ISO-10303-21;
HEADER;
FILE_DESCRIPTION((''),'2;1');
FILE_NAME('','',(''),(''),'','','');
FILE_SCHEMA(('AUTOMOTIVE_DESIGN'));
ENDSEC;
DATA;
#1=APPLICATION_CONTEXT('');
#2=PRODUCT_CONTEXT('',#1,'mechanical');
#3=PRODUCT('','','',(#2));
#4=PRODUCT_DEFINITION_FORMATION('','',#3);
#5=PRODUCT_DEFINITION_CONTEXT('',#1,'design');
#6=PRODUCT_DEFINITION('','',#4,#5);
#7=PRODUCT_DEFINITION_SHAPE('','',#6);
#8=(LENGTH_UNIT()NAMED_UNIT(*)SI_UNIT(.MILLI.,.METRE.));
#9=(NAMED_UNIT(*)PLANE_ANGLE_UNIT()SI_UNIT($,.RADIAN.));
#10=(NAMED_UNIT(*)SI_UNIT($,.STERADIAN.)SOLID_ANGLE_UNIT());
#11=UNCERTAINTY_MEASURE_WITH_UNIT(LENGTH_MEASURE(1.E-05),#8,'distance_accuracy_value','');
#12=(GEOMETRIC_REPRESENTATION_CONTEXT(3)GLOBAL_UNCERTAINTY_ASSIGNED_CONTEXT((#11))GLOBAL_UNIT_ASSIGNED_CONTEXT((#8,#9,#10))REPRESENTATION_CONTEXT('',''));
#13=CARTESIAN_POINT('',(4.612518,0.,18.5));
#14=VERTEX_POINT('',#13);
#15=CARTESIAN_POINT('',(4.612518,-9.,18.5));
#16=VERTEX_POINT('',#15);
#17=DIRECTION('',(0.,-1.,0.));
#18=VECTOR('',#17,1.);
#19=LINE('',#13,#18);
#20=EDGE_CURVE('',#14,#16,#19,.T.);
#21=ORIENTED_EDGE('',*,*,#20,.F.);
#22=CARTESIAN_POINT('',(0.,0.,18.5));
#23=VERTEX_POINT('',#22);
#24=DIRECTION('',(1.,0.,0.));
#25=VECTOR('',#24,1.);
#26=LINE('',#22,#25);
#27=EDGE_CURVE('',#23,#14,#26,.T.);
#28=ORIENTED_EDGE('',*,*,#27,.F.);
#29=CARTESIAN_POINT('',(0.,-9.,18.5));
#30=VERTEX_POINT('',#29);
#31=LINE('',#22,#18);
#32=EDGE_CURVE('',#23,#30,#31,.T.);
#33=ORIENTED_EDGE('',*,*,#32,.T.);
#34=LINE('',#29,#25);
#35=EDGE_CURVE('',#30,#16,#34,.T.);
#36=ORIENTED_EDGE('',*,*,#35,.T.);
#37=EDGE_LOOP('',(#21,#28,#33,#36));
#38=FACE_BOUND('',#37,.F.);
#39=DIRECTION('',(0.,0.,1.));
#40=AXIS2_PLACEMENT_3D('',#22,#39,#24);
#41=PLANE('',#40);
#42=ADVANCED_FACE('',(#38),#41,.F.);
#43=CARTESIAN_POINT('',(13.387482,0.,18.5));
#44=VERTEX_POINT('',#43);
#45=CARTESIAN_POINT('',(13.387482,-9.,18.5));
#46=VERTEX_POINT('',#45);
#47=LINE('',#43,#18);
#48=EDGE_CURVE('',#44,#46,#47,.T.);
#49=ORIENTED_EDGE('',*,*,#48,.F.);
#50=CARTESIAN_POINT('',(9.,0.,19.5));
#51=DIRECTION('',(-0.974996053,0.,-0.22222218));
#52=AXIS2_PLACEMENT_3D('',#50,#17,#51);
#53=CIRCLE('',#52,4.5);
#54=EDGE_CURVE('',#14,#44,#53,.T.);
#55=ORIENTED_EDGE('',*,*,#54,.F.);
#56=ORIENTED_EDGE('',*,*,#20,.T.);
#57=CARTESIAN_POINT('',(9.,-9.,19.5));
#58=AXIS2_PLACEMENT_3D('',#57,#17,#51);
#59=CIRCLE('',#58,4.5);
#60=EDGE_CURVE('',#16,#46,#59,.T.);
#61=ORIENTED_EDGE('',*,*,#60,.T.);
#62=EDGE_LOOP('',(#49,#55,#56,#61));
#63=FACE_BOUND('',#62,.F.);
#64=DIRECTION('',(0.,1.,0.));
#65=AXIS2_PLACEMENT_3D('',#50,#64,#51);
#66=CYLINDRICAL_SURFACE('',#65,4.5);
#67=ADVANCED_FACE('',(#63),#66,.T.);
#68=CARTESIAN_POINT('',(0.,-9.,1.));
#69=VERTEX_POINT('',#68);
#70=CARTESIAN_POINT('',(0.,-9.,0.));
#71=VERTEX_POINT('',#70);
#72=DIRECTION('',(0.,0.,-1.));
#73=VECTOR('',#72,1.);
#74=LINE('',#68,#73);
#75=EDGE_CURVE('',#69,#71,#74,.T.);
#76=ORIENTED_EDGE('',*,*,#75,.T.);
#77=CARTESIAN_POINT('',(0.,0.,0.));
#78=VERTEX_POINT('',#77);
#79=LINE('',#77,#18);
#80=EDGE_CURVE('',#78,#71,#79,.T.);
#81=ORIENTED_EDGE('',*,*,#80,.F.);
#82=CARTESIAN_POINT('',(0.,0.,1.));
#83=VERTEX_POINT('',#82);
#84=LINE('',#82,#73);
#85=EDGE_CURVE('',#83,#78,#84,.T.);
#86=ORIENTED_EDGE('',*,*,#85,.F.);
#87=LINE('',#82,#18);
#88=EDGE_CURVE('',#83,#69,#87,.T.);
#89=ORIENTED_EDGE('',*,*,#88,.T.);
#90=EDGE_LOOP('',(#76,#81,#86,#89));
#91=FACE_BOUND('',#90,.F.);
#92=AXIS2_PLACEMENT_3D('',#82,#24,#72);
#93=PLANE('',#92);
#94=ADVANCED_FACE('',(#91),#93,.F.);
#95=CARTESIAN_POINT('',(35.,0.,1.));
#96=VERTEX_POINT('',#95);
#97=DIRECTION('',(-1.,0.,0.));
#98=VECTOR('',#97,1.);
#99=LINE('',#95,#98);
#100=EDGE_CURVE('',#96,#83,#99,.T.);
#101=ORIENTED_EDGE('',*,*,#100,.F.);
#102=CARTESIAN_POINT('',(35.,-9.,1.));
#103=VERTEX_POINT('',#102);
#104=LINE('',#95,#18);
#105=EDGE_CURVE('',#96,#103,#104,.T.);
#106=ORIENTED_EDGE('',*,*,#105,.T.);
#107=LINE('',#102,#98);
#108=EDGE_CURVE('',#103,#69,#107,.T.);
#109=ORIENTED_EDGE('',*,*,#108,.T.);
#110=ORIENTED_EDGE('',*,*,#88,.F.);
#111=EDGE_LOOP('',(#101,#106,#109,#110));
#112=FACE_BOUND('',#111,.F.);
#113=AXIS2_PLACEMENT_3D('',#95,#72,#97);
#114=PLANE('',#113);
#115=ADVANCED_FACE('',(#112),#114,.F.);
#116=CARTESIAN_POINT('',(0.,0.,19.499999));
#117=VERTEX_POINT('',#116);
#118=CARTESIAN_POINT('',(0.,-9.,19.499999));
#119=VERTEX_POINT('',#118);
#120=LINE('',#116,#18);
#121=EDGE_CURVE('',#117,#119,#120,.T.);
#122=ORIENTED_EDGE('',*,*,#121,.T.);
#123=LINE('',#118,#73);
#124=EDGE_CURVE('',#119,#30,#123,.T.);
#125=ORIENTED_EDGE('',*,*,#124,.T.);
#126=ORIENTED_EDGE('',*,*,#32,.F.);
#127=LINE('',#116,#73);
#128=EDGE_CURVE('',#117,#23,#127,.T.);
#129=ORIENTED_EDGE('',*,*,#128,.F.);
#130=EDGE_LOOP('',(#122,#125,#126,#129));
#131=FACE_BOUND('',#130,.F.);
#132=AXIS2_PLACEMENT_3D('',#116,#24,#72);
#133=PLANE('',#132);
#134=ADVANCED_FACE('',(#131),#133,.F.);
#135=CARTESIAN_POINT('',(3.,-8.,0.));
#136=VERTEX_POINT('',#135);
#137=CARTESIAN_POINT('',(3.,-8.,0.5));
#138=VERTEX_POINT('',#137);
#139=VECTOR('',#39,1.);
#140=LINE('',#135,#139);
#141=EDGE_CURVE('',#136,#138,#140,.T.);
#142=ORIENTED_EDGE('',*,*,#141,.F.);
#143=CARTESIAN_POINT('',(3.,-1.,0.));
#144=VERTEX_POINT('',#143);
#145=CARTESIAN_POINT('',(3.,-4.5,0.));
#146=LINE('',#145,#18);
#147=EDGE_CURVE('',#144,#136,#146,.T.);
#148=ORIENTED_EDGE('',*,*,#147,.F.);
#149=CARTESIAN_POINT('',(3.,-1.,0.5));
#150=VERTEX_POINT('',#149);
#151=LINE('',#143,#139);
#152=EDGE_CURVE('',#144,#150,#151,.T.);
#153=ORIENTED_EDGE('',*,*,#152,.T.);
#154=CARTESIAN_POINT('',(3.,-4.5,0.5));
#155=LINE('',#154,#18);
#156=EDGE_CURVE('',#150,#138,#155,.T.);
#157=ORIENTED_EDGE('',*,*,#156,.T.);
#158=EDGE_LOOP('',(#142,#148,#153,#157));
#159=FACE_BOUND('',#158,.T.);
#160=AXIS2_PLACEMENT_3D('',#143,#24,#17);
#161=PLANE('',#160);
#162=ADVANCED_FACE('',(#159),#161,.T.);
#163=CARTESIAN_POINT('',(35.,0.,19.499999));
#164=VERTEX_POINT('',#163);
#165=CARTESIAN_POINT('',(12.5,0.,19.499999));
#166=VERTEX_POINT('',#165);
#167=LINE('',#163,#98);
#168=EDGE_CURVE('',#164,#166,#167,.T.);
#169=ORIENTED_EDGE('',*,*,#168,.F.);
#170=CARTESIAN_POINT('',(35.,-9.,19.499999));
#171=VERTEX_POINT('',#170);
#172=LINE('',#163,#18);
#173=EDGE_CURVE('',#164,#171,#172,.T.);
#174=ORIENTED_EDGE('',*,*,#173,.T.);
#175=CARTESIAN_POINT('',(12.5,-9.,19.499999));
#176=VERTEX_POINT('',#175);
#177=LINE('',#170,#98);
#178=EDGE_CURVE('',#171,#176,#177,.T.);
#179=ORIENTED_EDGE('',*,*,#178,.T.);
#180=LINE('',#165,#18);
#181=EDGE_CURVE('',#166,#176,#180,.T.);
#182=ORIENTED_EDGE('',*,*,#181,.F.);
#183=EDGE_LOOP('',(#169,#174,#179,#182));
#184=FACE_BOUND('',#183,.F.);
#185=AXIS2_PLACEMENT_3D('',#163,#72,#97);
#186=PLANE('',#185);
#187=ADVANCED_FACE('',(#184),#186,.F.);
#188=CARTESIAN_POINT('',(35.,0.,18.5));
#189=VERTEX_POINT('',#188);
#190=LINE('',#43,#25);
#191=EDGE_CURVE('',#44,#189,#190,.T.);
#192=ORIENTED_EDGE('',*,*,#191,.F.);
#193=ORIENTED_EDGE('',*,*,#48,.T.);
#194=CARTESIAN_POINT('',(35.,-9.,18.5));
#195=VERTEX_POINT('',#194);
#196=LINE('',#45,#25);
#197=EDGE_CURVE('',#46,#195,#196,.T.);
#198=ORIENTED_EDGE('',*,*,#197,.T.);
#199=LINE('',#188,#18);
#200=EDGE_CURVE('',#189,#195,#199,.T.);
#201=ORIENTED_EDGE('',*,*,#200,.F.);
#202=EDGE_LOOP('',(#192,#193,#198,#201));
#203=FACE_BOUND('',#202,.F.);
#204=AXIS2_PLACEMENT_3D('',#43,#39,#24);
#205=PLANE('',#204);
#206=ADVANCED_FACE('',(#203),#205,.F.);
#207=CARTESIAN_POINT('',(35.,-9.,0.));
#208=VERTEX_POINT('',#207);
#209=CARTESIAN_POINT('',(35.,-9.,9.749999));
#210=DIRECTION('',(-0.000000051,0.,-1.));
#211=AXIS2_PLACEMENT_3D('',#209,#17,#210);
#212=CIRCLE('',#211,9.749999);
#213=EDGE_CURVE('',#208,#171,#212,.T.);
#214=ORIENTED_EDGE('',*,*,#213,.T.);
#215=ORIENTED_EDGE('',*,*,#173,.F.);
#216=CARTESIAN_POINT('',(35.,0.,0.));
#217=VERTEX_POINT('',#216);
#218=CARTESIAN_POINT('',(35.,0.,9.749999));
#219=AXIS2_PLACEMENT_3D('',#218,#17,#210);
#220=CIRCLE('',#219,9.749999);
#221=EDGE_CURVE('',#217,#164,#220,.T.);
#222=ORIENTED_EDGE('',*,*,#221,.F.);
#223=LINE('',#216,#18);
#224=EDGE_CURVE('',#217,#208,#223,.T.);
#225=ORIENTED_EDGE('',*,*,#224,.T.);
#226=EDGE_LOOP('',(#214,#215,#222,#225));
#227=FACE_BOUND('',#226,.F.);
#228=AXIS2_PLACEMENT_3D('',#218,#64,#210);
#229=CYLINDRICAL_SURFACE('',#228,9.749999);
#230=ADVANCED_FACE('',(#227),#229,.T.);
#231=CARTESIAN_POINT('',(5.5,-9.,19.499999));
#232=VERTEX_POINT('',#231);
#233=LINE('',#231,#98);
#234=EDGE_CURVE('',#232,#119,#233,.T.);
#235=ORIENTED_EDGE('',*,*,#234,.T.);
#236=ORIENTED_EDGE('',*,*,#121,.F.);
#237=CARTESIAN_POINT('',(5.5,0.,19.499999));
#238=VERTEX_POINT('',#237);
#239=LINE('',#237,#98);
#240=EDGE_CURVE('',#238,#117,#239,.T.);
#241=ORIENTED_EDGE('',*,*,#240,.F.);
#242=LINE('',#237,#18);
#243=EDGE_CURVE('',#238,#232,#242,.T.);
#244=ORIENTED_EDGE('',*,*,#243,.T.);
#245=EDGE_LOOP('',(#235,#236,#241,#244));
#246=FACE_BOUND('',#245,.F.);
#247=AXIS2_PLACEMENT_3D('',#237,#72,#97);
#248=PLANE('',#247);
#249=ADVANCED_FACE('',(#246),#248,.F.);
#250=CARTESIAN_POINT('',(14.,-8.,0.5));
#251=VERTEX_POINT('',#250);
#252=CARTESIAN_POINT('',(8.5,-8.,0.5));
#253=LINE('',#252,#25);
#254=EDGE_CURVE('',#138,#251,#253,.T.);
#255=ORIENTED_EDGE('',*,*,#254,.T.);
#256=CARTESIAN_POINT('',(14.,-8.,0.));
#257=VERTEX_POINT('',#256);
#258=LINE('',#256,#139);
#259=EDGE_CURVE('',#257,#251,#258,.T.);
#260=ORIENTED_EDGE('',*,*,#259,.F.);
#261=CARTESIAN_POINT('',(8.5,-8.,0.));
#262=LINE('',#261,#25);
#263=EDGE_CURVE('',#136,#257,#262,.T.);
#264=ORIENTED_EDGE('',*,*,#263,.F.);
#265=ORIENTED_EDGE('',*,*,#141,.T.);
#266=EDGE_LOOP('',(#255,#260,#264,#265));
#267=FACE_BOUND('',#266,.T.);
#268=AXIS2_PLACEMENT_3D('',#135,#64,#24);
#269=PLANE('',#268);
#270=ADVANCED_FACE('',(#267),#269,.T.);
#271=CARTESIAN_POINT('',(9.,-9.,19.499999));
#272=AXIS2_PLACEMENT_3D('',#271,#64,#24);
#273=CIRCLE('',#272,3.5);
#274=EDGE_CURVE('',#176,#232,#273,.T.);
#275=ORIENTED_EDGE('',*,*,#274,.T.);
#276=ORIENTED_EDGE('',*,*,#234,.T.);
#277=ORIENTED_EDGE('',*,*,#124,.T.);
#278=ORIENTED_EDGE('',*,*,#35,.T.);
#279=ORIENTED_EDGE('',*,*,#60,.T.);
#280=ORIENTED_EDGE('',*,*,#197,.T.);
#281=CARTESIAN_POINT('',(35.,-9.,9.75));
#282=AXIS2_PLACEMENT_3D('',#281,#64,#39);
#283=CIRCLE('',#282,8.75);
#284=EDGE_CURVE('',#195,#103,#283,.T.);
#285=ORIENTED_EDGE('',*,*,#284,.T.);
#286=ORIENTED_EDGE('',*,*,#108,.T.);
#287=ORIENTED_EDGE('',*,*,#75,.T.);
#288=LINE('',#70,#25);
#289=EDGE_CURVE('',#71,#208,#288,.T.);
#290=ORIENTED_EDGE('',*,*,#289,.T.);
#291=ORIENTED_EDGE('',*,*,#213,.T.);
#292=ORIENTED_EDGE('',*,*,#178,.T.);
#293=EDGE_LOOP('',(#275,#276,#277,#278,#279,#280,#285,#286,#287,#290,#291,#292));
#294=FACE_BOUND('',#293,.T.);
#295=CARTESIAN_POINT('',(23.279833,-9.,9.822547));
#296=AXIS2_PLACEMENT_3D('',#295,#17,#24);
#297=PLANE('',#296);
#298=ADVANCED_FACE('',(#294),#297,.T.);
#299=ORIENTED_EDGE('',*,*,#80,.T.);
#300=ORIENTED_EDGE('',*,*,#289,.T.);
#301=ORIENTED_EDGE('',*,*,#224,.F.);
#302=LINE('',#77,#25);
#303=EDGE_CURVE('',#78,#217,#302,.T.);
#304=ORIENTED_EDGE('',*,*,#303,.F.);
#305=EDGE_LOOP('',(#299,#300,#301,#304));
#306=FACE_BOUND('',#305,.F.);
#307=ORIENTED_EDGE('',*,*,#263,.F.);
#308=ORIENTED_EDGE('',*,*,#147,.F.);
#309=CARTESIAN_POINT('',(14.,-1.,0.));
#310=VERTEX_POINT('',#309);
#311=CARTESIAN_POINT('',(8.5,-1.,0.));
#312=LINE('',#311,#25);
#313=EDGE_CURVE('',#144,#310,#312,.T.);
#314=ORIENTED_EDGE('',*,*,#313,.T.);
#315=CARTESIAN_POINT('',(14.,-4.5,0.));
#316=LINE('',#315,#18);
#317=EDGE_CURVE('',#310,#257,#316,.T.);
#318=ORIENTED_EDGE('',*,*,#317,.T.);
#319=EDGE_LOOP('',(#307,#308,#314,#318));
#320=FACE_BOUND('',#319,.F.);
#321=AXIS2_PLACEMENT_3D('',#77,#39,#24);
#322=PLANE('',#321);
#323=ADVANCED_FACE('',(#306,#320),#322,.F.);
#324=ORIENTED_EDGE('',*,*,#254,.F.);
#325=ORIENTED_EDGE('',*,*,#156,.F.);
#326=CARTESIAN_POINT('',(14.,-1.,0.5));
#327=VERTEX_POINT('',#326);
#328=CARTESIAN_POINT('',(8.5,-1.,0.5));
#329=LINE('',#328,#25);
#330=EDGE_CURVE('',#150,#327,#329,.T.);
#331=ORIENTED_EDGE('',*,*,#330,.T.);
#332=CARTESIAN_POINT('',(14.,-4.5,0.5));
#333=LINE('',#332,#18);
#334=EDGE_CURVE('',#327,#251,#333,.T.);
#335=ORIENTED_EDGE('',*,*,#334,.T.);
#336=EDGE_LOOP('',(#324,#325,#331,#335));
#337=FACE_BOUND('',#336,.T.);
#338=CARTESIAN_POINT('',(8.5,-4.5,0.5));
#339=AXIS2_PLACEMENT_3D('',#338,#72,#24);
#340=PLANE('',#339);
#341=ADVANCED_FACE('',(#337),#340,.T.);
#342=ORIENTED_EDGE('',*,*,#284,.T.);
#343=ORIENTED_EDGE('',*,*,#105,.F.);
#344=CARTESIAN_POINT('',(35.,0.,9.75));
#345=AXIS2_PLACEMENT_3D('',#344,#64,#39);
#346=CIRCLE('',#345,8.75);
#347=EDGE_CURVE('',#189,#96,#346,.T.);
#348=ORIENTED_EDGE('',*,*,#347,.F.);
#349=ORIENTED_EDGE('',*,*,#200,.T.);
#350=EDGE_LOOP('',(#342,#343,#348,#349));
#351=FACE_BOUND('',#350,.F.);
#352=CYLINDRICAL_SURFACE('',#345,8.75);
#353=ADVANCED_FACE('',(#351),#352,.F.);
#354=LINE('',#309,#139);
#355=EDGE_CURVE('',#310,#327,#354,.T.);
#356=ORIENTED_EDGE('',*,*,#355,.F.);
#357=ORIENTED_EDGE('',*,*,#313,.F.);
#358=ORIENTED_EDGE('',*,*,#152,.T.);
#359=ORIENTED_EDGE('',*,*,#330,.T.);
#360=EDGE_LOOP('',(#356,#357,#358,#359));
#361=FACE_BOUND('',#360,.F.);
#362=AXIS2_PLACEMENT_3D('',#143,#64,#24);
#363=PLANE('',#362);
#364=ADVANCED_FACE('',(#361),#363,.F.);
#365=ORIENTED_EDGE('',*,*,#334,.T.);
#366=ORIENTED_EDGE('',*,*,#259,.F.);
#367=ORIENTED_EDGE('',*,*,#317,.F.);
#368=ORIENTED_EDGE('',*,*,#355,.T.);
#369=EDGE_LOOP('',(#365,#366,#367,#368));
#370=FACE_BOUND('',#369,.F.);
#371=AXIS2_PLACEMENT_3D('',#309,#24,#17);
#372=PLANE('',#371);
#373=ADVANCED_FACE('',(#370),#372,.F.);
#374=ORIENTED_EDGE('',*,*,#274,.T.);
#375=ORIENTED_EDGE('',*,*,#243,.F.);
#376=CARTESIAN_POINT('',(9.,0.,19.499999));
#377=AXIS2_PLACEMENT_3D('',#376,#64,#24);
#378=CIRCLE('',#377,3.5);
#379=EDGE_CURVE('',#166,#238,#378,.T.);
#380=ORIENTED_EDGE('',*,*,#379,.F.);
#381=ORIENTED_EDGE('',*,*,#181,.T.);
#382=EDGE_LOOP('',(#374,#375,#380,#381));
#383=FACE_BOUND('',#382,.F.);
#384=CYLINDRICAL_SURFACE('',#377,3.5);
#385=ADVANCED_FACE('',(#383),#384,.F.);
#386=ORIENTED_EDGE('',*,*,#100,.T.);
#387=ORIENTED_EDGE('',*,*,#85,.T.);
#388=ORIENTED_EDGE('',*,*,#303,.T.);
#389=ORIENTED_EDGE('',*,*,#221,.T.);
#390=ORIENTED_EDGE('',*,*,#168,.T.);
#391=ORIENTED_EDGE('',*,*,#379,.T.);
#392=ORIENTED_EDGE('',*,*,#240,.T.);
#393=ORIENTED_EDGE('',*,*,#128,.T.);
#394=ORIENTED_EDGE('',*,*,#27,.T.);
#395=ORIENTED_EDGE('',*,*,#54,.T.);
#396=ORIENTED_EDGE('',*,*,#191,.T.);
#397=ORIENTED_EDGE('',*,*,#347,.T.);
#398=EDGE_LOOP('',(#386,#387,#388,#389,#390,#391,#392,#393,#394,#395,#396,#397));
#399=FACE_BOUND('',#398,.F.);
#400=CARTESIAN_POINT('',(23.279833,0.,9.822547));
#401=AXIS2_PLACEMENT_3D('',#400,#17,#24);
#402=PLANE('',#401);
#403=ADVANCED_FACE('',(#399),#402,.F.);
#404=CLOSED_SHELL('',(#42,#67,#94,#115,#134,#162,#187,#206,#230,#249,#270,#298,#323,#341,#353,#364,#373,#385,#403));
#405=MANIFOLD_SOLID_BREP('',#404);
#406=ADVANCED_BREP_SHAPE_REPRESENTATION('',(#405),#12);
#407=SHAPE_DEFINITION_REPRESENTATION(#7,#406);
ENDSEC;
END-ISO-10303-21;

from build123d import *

# Parameters (mm, degrees)
F1_DEPTH = 9
F2_W     = 11
F2_H     = 7
F3_DEPTH = 0.5


with BuildPart() as f1:
    # F0 (on Front) → F1 (new body)
    with BuildSketch(Plane.XZ):
        with BuildLine():
            Line((0, 1), (0, 0))
            Line((0, 0), (35, 0))
            ThreePointArc((35, 0), (44.75, 9.75), (35, 19.499999))
            Line((35, 19.499999), (12.5, 19.499999))
            ThreePointArc((12.5, 19.499999), (9, 15.999999), (5.5, 19.499999))
            Line((5.5, 19.499999), (0, 19.499999))
            Line((0, 19.499999), (0, 18.5))
            Line((0, 18.5), (4.612518, 18.5))
            ThreePointArc((4.612518, 18.5), (9, 15), (13.387482, 18.5))
            Line((13.387482, 18.5), (35, 18.5))
            ThreePointArc((35, 18.5), (43.75, 9.75), (35, 1))
            Line((35, 1), (0, 1))
        make_face()
    extrude(amount=F1_DEPTH)

    # F2 (on face) → F3 (cut)
    with BuildSketch(Plane(origin=(0, 0, 0), x_dir=(1, 0, 0), z_dir=(0, 0, -1))):
        with Locations((8.5, 4.5)):
            Rectangle(F2_W, F2_H)
    extrude(amount=-F3_DEPTH, mode=Mode.SUBTRACT)


solid = f1.part
